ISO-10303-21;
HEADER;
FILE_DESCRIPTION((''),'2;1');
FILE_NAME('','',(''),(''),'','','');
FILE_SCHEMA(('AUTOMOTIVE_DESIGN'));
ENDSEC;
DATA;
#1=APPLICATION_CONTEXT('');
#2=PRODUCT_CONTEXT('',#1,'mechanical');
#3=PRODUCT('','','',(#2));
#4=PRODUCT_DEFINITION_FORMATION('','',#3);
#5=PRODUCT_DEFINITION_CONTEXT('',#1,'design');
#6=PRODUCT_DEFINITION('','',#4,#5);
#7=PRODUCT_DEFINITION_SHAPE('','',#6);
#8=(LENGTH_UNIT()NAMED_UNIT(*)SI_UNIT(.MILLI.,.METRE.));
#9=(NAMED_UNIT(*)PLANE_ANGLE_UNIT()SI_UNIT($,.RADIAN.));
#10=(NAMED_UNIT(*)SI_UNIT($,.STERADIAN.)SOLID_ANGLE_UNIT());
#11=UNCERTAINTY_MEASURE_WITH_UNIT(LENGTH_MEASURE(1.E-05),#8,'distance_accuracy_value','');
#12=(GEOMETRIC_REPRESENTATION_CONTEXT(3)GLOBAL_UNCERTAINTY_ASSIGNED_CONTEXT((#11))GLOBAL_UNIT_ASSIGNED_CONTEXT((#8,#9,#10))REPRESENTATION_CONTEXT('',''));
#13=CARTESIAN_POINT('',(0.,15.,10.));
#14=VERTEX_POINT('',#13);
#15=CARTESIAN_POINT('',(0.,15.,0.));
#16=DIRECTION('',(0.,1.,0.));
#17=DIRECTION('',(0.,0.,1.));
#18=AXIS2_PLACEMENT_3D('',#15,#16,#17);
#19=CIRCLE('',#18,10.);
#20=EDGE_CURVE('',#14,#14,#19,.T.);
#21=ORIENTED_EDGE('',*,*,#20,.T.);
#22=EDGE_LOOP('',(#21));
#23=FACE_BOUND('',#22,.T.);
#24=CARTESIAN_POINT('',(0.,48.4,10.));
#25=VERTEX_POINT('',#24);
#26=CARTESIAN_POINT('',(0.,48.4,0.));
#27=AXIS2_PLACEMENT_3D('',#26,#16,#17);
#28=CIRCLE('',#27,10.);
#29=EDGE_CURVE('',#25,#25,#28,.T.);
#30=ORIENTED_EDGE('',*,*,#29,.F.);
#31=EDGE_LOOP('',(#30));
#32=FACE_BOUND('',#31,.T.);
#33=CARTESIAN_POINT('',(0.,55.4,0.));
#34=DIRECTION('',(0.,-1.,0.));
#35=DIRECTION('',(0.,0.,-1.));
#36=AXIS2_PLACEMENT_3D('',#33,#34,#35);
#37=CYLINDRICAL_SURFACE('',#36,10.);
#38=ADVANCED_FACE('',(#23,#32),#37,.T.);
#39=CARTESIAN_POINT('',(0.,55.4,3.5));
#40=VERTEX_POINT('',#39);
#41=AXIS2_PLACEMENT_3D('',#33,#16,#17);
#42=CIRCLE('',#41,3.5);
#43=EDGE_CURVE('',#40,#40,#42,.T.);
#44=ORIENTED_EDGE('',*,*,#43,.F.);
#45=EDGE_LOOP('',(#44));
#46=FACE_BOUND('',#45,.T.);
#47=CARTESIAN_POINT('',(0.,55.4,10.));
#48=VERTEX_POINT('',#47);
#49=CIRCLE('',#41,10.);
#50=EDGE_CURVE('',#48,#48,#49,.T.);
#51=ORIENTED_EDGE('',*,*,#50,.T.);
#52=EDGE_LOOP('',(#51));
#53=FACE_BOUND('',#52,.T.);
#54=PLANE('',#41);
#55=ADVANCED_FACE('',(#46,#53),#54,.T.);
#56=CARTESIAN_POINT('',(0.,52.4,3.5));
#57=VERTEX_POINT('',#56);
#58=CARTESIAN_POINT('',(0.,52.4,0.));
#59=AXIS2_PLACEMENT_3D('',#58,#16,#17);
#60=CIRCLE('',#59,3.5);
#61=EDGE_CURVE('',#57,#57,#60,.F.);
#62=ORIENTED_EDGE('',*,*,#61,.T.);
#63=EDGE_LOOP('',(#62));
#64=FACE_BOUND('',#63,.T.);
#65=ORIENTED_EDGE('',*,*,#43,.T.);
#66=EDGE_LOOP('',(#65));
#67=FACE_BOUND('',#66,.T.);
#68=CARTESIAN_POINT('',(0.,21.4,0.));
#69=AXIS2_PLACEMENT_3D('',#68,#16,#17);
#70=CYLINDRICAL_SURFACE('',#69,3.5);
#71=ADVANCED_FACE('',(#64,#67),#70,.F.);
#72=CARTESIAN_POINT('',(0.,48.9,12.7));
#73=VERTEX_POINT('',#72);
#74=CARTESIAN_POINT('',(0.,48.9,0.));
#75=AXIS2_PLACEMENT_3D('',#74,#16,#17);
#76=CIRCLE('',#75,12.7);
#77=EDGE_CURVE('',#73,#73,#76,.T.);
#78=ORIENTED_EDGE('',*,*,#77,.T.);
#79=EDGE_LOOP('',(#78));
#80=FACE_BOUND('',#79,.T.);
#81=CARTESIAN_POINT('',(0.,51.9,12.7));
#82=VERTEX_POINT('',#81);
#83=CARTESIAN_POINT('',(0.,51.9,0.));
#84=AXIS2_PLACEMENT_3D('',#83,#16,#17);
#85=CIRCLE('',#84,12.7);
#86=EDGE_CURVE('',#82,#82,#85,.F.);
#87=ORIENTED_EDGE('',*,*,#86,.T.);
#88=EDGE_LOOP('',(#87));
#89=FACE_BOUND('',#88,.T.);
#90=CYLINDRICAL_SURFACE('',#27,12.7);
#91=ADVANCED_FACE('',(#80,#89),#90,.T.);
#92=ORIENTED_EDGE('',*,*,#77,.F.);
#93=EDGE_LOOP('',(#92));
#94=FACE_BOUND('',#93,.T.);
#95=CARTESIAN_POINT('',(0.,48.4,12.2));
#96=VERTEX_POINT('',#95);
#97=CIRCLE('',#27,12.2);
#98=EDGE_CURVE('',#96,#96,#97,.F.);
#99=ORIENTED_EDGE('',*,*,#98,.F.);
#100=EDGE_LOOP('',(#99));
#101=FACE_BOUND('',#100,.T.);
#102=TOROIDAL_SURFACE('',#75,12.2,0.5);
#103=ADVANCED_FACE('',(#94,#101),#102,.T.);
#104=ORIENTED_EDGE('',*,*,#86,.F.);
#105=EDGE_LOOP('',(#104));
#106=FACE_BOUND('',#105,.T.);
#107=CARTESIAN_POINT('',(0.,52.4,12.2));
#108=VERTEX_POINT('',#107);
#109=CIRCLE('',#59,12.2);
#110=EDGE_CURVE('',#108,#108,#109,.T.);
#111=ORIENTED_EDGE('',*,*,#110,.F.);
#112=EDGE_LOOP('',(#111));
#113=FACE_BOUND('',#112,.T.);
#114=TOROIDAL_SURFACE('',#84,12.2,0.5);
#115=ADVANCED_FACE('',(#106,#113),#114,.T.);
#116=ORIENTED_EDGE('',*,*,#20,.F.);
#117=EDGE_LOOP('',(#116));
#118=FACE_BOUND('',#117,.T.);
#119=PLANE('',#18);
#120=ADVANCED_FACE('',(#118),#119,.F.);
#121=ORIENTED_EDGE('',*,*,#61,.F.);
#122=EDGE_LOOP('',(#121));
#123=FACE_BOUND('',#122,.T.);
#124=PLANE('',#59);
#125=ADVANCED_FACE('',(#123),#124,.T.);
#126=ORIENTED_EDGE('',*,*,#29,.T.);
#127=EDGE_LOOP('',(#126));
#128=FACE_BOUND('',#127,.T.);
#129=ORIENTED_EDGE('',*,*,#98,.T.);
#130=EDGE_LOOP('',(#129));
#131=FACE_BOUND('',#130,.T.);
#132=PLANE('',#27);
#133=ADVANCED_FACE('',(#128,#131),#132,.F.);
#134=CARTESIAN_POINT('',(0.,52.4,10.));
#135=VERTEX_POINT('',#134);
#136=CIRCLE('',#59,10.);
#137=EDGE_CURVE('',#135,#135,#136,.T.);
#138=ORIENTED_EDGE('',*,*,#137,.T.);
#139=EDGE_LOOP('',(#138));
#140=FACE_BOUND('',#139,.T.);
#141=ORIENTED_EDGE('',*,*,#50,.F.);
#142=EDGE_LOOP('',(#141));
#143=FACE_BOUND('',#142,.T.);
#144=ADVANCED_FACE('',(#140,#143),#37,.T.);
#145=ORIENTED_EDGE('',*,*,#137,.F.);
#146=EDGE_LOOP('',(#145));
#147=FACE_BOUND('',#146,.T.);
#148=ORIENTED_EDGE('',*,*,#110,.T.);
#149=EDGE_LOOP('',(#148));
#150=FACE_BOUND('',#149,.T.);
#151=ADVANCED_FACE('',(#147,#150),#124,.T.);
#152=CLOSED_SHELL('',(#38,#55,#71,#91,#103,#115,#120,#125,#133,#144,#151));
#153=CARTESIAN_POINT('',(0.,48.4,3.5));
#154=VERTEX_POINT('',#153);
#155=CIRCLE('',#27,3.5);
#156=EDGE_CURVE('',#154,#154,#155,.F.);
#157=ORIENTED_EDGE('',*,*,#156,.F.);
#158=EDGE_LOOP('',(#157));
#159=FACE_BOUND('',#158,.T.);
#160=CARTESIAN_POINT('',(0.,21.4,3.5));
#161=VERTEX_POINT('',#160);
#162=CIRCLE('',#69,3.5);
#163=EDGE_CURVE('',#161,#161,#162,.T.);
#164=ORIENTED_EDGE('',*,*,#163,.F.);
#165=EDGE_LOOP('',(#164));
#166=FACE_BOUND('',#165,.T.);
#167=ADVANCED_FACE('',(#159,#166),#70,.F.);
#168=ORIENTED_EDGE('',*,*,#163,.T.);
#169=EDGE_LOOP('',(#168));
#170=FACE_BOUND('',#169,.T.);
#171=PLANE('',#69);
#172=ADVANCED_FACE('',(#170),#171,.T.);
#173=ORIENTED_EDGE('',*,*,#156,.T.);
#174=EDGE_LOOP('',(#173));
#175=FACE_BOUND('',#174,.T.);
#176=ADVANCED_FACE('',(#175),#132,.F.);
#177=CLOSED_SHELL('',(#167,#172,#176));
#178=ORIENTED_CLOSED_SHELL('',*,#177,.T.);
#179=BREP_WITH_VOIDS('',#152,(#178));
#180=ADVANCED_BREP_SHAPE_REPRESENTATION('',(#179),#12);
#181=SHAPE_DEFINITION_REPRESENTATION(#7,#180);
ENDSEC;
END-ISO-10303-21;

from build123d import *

# Parameters (mm, degrees)
EXTRUDE_START       = 15
SKETCH_1_R          = 10
EXTRUDE_1_DEPTH     = 40.4
SKETCH_2_R          = 3.5
CUT_EXTRUDE_1_DEPTH = 34
SKETCH_3_R          = 12.7
EXTRUDE_2_DEPTH     = 4
FILLET_4_R          = 0.5


with BuildPart() as part:
    # Эскиз1 → Вытянуть1 (new body)
    with BuildSketch(Plane(origin=(0, 0, 0), x_dir=(1, 0, 0), z_dir=(0, 1, 0)).offset(EXTRUDE_START)):
        with Locations(Location((0, 0, 0), (0, 0, 270))):
            Circle(SKETCH_1_R)
    extrude(amount=EXTRUDE_1_DEPTH)

    # Эскиз2 → Вырез-Вытянуть1 (cut)
    with BuildSketch(Plane(origin=(0, 55.4, 0), x_dir=(1, 0, 0), z_dir=(0, 1, 0))):
        with Locations(Location((0, 0, 0), (0, 0, 270))):
            Circle(SKETCH_2_R)
    extrude(amount=-CUT_EXTRUDE_1_DEPTH, mode=Mode.SUBTRACT)

    # Эскиз3 → Вытянуть2 (add)
    with BuildSketch(Plane(origin=(0, 52.4, 0), x_dir=(-1, 0, 0), z_dir=(0, 1, 0))):
        with Locations(Location((0, 0, 0), (0, 0, 90))):
            Circle(SKETCH_3_R)
    extrude(amount=-EXTRUDE_2_DEPTH)

    # Скругление4
    fillet_4_edges = [part.edges().sort_by_distance(p)[0] for p in [
        (0, 52.4, -12.7),
        (0, 48.4, -12.7),
    ]]
    fillet(fillet_4_edges, radius=FILLET_4_R)


solid = part.part
